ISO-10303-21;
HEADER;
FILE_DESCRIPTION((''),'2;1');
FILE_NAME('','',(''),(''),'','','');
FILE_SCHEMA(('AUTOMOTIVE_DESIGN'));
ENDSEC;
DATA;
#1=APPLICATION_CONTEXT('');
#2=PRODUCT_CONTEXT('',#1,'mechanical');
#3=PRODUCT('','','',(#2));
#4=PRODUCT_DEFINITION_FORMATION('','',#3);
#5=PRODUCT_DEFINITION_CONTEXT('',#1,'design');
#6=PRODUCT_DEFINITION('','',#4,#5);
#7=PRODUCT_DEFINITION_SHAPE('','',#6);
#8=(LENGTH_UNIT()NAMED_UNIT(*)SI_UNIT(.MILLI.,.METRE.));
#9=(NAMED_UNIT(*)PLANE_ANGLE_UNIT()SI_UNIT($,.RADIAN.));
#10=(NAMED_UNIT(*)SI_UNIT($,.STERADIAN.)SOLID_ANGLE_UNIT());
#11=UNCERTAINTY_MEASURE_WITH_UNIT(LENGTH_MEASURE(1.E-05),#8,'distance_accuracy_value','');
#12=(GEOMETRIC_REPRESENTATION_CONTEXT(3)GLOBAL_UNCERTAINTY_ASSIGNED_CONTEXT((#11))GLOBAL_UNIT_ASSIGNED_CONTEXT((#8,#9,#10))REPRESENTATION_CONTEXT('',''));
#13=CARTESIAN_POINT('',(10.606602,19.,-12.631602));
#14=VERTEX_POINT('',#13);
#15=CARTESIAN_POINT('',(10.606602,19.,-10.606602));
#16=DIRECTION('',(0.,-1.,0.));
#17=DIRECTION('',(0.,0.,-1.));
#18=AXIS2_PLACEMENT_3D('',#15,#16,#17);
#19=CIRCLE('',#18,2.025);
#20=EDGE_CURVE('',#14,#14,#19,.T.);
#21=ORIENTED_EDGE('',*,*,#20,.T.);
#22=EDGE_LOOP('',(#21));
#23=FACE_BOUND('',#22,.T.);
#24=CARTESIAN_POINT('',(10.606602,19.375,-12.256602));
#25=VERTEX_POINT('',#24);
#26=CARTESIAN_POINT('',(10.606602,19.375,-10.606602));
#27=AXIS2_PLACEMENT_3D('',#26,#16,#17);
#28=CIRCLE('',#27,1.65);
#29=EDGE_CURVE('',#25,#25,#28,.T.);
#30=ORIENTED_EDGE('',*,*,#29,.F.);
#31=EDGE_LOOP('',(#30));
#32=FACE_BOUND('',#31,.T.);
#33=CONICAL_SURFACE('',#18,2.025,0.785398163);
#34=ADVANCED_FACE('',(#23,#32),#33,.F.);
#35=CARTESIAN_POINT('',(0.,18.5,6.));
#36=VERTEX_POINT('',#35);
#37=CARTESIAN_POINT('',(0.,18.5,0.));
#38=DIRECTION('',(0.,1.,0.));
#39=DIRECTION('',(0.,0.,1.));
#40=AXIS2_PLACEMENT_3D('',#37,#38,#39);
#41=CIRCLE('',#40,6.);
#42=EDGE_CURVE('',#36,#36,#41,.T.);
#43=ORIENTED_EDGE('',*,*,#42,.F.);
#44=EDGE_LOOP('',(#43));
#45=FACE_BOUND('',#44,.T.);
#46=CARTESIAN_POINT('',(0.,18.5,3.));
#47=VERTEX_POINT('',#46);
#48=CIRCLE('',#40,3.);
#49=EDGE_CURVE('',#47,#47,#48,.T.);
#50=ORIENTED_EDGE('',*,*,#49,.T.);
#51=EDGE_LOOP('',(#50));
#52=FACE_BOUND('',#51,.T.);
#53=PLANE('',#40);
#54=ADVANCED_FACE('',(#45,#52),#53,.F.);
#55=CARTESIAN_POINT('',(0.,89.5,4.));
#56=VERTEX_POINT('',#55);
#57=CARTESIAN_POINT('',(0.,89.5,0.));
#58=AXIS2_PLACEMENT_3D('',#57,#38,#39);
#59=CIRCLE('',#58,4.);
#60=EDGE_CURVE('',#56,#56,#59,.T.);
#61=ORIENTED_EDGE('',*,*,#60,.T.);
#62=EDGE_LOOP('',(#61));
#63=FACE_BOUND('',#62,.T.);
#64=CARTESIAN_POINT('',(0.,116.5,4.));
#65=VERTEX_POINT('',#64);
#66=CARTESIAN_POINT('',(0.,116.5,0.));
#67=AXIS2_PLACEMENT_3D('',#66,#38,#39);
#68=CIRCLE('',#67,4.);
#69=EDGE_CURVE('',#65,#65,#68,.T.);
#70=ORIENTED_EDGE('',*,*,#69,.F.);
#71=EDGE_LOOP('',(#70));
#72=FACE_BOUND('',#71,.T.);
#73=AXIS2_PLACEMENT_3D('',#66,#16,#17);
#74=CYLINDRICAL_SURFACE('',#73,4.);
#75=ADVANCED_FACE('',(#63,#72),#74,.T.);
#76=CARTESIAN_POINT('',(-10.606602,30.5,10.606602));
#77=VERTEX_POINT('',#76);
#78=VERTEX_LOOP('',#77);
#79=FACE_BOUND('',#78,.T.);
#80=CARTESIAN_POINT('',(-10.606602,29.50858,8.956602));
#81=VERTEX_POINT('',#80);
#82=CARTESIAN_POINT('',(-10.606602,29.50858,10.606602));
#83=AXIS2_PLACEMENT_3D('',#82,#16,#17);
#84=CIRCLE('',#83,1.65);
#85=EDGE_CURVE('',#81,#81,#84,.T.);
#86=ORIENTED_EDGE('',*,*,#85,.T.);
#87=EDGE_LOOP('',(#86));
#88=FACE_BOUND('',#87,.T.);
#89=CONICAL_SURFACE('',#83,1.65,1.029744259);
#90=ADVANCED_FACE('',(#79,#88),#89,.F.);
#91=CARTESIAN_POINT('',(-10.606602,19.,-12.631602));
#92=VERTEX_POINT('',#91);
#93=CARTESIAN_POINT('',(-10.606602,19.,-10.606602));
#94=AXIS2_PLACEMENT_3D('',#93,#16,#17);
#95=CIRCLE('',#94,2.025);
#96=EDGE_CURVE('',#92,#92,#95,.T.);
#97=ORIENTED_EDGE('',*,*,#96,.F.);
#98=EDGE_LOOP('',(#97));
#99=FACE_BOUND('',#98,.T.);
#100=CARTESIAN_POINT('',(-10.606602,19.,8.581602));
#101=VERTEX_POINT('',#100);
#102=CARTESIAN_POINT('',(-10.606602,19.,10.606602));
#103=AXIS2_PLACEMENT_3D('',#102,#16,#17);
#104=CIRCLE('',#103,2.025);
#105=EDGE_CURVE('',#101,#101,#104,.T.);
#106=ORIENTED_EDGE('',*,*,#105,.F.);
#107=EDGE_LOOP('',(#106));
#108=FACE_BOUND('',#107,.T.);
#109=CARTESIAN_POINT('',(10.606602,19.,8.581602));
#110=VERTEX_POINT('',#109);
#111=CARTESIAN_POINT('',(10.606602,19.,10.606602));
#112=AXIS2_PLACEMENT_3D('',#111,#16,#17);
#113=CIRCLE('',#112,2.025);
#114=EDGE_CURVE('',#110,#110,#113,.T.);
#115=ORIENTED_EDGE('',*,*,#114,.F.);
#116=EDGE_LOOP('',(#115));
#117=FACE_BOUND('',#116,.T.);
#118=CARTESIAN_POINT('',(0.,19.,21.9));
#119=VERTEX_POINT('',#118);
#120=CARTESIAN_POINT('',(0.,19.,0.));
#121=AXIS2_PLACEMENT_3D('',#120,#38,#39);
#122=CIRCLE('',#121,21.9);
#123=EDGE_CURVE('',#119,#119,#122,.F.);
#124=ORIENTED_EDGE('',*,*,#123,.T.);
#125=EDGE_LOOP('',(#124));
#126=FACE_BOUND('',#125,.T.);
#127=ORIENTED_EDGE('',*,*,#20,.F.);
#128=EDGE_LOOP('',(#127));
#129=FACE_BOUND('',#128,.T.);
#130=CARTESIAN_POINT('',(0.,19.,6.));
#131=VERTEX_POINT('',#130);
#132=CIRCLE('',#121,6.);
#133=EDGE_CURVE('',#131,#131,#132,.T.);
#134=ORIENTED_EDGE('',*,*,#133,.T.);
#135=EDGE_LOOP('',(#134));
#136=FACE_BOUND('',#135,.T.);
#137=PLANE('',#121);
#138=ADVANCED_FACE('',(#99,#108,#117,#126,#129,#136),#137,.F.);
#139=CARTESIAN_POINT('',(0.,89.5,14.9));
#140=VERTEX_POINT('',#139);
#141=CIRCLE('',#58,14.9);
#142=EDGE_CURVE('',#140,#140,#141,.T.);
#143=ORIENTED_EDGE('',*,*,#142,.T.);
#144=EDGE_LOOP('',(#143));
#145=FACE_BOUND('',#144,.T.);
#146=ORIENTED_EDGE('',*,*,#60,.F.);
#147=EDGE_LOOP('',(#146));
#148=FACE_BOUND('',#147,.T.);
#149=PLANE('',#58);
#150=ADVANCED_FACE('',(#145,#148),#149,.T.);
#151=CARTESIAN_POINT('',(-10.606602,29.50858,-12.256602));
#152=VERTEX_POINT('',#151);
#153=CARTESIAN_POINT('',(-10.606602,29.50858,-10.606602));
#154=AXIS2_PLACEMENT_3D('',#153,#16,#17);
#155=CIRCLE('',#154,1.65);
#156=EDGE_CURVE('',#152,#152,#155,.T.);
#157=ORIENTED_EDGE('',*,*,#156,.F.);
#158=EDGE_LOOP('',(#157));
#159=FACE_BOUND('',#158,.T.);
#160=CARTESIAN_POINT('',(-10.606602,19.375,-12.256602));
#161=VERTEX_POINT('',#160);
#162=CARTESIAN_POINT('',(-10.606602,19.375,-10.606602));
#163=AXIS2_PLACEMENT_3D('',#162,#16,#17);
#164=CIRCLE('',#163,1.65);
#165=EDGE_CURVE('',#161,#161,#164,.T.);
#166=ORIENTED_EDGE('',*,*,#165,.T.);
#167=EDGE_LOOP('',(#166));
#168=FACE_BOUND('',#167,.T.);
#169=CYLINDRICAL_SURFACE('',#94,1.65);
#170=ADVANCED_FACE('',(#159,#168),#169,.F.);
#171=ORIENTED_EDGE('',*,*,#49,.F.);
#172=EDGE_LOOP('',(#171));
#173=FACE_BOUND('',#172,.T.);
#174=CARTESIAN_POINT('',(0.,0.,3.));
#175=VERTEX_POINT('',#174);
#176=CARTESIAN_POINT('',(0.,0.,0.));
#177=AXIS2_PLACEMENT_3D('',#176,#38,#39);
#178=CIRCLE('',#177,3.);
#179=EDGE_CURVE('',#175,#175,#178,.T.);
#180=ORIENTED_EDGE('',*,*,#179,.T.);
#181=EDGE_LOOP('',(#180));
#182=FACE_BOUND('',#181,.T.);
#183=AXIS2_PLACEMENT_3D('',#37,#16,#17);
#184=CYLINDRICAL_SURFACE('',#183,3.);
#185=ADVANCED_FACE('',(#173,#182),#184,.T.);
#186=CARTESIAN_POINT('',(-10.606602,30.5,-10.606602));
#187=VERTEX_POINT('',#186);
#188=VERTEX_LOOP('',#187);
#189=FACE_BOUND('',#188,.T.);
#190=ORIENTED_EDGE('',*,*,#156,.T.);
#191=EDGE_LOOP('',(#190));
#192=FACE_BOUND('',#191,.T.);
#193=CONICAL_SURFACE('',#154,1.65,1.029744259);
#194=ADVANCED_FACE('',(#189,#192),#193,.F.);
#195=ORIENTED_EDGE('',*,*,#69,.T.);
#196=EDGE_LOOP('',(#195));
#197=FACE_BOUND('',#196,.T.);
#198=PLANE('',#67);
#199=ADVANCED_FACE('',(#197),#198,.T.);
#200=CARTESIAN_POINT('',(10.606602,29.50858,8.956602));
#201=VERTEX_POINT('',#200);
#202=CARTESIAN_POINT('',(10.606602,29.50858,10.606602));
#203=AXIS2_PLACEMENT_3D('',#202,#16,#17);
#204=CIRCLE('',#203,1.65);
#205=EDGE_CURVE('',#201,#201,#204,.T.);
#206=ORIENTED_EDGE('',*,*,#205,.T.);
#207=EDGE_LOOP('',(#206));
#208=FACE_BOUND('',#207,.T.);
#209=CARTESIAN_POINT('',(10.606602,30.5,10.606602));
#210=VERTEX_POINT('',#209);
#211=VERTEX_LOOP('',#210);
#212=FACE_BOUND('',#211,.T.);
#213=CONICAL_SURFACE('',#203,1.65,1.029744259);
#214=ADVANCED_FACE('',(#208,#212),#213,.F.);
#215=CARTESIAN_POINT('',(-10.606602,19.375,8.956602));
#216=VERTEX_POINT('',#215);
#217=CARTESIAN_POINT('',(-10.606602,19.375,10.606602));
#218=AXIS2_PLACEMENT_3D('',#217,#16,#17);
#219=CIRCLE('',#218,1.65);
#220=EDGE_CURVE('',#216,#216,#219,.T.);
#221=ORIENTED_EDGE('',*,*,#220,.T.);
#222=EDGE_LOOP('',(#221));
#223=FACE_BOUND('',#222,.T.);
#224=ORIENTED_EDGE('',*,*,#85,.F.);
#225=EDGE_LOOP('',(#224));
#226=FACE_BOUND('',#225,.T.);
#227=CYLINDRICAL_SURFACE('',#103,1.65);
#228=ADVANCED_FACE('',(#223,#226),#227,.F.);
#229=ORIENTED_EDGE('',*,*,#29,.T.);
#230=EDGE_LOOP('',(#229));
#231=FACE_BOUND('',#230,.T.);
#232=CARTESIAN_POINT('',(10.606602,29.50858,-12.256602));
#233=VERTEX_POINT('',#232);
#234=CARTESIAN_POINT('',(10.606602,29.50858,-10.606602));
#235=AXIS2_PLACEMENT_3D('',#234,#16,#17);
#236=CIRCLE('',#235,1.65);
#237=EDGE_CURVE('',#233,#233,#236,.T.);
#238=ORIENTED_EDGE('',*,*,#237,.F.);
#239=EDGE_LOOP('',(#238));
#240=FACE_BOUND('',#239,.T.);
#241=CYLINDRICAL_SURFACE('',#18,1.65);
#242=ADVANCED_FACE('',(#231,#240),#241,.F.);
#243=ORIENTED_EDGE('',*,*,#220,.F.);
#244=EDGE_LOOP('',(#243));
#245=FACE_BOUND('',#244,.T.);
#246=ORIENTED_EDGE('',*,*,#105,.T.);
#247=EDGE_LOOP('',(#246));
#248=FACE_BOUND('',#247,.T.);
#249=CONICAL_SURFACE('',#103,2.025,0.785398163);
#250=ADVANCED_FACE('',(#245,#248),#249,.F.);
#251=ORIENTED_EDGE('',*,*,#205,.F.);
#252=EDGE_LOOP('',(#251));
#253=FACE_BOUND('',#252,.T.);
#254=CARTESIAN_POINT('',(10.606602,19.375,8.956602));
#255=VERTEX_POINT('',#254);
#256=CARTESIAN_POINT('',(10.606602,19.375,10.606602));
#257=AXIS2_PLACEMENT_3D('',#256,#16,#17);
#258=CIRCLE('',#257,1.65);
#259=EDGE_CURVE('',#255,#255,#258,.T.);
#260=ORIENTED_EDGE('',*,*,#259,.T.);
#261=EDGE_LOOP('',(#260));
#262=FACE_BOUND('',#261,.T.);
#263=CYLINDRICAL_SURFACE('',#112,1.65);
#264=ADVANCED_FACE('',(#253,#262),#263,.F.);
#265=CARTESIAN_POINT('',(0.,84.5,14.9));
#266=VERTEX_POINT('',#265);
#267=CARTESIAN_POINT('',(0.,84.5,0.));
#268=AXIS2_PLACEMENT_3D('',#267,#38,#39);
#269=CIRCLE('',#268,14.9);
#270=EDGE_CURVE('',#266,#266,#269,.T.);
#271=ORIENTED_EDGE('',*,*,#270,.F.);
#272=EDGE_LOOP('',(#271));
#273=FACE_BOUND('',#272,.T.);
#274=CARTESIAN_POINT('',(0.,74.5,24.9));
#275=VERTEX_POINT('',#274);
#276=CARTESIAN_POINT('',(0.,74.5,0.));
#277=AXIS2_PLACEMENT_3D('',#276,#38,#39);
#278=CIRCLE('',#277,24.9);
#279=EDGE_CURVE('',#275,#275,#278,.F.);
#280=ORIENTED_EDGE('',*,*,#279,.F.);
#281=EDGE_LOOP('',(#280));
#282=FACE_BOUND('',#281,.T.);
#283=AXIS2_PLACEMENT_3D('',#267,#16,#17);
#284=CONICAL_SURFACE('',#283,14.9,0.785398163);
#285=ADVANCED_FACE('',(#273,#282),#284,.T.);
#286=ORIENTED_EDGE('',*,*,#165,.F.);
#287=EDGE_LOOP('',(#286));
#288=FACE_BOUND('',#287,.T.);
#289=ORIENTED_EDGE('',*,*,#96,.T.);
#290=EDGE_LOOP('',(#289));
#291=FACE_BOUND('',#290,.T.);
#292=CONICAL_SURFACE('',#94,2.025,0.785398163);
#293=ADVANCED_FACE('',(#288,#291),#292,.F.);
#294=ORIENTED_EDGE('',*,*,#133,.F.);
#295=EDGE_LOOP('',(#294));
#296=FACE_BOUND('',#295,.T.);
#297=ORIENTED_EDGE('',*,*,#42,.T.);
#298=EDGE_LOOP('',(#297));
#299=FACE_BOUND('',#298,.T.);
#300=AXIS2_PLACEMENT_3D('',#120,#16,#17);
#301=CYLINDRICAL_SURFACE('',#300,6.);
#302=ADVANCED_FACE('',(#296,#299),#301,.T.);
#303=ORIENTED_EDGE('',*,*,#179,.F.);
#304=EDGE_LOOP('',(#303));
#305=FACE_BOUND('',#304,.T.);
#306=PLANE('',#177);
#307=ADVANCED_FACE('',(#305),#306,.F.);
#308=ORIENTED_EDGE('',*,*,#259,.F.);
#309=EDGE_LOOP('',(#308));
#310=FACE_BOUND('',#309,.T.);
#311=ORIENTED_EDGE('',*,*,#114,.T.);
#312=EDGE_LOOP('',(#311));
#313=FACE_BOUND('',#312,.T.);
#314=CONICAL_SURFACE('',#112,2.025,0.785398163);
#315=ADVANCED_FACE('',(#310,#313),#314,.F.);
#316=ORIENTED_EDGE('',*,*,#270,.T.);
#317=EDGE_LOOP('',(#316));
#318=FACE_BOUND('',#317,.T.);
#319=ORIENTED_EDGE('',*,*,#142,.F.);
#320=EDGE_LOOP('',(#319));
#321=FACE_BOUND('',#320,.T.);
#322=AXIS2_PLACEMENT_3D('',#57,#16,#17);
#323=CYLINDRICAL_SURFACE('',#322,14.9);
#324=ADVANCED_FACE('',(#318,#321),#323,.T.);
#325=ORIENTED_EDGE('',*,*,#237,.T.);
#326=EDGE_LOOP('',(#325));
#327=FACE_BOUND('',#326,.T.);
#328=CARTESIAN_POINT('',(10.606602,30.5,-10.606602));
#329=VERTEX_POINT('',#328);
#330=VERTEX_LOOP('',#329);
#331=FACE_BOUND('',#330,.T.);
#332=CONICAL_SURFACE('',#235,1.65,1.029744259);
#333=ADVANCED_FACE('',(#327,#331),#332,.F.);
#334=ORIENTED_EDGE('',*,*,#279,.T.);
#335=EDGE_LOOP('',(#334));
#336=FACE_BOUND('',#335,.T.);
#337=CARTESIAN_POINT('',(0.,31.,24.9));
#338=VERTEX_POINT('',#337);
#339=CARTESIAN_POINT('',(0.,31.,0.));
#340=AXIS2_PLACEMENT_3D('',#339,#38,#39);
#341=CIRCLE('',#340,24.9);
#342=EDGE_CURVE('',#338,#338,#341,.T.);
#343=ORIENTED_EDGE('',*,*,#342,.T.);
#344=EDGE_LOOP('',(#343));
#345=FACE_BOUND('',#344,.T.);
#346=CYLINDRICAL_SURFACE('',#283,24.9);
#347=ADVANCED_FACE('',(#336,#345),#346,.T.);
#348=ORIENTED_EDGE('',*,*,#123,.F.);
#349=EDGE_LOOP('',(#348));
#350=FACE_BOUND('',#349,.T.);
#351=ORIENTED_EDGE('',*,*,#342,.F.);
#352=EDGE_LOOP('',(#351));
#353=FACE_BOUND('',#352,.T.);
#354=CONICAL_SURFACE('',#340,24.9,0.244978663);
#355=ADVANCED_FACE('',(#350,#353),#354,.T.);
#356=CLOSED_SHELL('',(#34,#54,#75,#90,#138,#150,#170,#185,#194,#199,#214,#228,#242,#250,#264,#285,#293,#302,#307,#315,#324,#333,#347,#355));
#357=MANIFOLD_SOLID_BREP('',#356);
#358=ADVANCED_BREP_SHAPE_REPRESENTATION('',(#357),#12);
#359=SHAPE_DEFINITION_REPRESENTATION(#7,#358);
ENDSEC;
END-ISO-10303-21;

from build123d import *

# Parameters (mm, degrees)
SKETCH2_R                       = 3
BOSS_EXTRUDE3_DEPTH             = 18.5
SKETCH3_R                       = 6
BOSS_EXTRUDE5_DEPTH             = 0.5
SKETCH5_R                       = 24.9
BOSS_EXTRUDE6_DEPTH             = 65.5
SKETCH6_R                       = 4
BOSS_EXTRUDE7_DEPTH             = 32
CHAMFER1_SIZE                   = 3
CHAMFER1_SIZE2                  = 12
CHAMFER2_SIZE                   = 10
SKETCH7_R                       = 14.9
BOSS_EXTRUDE8_DEPTH             = 5
M4X0_7_TAPPED_HOLE1_D           = 3.3
M4X0_7_TAPPED_HOLE1_DEPTH       = 10.508579979
M4X0_7_TAPPED_HOLE1_CSINK_D     = 4.05
M4X0_7_TAPPED_HOLE1_CSINK_ANGLE = 90
M4X0_7_TAPPED_HOLE1_TIP         = 0.991420021


with BuildPart() as part:
    # Sketch2 → Boss-Extrude3 (new body)
    with BuildSketch(Plane(origin=(0, 0, 0), x_dir=(1, 0, 0), z_dir=(0, 1, 0))):
        with Locations(Location((0, 0, 0), (0, 0, 270))):
            Circle(SKETCH2_R)
    extrude(amount=BOSS_EXTRUDE3_DEPTH)

    # Sketch3 → Boss-Extrude5 (add)
    with BuildSketch(Plane(origin=(0, 18.5, 0), x_dir=(1, 0, 0), z_dir=(0, 1, 0))):
        with Locations(Location((0, 0, 0), (0, 0, 270))):
            Circle(SKETCH3_R)
    extrude(amount=BOSS_EXTRUDE5_DEPTH)

    # Sketch5 → Boss-Extrude6 (add)
    with BuildSketch(Plane(origin=(0, 19, 0), x_dir=(1, 0, 0), z_dir=(0, 1, 0))):
        with Locations(Location((0, 0, 0), (0, 0, 270))):
            Circle(SKETCH5_R)
    extrude(amount=BOSS_EXTRUDE6_DEPTH)

    # Sketch6 → Boss-Extrude7 (add)
    with BuildSketch(Plane(origin=(0, 84.5, 0), x_dir=(1, 0, 0), z_dir=(0, 1, 0))):
        with Locations(Location((0, 0, 0), (0, 0, 270))):
            Circle(SKETCH6_R)
    extrude(amount=BOSS_EXTRUDE7_DEPTH)

    # Chamfer1
    chamfer1_edges = [part.edges().sort_by_distance(p)[0] for p in [
        (0, 19, -24.9),
    ]]
    chamfer1_side = [part.faces().sort_by_distance(p)[0] for p in [
        (0, 19, -24.195721646),
    ]]
    chamfer(chamfer1_edges, length=CHAMFER1_SIZE, length2=CHAMFER1_SIZE2, reference=chamfer1_side[0])

    # Chamfer2
    chamfer2_edges = [part.edges().sort_by_distance(p)[0] for p in [
        (0, 84.5, -24.9),
    ]]
    chamfer(chamfer2_edges, length=CHAMFER2_SIZE)

    # Sketch7 → Boss-Extrude8 (add)
    with BuildSketch(Plane(origin=(0, 84.5, 0), x_dir=(1, 0, 0), z_dir=(0, 1, 0))):
        with Locations(Location((0, 0, 0), (0, 0, 270))):
            Circle(SKETCH7_R)
    extrude(amount=BOSS_EXTRUDE8_DEPTH)

    # M4x0.7 Tapped Hole1
    with Locations(Plane(origin=(0, 19, 0), x_dir=(-1, 0, 0), z_dir=(0, -1, 0))):
        with Locations((-10.606601718, 10.606601718), (10.606601718, -10.606601718), (10.606601718, 10.606601718), (-10.606601718, -10.606601718)):
            CounterSinkHole(M4X0_7_TAPPED_HOLE1_D / 2, M4X0_7_TAPPED_HOLE1_CSINK_D / 2, depth=M4X0_7_TAPPED_HOLE1_DEPTH, counter_sink_angle=M4X0_7_TAPPED_HOLE1_CSINK_ANGLE)
            with Locations((0, 0, -(M4X0_7_TAPPED_HOLE1_DEPTH + M4X0_7_TAPPED_HOLE1_TIP / 2))):  # 118° drill point
                Cone(0, M4X0_7_TAPPED_HOLE1_D / 2, M4X0_7_TAPPED_HOLE1_TIP, mode=Mode.SUBTRACT)


solid = part.part
